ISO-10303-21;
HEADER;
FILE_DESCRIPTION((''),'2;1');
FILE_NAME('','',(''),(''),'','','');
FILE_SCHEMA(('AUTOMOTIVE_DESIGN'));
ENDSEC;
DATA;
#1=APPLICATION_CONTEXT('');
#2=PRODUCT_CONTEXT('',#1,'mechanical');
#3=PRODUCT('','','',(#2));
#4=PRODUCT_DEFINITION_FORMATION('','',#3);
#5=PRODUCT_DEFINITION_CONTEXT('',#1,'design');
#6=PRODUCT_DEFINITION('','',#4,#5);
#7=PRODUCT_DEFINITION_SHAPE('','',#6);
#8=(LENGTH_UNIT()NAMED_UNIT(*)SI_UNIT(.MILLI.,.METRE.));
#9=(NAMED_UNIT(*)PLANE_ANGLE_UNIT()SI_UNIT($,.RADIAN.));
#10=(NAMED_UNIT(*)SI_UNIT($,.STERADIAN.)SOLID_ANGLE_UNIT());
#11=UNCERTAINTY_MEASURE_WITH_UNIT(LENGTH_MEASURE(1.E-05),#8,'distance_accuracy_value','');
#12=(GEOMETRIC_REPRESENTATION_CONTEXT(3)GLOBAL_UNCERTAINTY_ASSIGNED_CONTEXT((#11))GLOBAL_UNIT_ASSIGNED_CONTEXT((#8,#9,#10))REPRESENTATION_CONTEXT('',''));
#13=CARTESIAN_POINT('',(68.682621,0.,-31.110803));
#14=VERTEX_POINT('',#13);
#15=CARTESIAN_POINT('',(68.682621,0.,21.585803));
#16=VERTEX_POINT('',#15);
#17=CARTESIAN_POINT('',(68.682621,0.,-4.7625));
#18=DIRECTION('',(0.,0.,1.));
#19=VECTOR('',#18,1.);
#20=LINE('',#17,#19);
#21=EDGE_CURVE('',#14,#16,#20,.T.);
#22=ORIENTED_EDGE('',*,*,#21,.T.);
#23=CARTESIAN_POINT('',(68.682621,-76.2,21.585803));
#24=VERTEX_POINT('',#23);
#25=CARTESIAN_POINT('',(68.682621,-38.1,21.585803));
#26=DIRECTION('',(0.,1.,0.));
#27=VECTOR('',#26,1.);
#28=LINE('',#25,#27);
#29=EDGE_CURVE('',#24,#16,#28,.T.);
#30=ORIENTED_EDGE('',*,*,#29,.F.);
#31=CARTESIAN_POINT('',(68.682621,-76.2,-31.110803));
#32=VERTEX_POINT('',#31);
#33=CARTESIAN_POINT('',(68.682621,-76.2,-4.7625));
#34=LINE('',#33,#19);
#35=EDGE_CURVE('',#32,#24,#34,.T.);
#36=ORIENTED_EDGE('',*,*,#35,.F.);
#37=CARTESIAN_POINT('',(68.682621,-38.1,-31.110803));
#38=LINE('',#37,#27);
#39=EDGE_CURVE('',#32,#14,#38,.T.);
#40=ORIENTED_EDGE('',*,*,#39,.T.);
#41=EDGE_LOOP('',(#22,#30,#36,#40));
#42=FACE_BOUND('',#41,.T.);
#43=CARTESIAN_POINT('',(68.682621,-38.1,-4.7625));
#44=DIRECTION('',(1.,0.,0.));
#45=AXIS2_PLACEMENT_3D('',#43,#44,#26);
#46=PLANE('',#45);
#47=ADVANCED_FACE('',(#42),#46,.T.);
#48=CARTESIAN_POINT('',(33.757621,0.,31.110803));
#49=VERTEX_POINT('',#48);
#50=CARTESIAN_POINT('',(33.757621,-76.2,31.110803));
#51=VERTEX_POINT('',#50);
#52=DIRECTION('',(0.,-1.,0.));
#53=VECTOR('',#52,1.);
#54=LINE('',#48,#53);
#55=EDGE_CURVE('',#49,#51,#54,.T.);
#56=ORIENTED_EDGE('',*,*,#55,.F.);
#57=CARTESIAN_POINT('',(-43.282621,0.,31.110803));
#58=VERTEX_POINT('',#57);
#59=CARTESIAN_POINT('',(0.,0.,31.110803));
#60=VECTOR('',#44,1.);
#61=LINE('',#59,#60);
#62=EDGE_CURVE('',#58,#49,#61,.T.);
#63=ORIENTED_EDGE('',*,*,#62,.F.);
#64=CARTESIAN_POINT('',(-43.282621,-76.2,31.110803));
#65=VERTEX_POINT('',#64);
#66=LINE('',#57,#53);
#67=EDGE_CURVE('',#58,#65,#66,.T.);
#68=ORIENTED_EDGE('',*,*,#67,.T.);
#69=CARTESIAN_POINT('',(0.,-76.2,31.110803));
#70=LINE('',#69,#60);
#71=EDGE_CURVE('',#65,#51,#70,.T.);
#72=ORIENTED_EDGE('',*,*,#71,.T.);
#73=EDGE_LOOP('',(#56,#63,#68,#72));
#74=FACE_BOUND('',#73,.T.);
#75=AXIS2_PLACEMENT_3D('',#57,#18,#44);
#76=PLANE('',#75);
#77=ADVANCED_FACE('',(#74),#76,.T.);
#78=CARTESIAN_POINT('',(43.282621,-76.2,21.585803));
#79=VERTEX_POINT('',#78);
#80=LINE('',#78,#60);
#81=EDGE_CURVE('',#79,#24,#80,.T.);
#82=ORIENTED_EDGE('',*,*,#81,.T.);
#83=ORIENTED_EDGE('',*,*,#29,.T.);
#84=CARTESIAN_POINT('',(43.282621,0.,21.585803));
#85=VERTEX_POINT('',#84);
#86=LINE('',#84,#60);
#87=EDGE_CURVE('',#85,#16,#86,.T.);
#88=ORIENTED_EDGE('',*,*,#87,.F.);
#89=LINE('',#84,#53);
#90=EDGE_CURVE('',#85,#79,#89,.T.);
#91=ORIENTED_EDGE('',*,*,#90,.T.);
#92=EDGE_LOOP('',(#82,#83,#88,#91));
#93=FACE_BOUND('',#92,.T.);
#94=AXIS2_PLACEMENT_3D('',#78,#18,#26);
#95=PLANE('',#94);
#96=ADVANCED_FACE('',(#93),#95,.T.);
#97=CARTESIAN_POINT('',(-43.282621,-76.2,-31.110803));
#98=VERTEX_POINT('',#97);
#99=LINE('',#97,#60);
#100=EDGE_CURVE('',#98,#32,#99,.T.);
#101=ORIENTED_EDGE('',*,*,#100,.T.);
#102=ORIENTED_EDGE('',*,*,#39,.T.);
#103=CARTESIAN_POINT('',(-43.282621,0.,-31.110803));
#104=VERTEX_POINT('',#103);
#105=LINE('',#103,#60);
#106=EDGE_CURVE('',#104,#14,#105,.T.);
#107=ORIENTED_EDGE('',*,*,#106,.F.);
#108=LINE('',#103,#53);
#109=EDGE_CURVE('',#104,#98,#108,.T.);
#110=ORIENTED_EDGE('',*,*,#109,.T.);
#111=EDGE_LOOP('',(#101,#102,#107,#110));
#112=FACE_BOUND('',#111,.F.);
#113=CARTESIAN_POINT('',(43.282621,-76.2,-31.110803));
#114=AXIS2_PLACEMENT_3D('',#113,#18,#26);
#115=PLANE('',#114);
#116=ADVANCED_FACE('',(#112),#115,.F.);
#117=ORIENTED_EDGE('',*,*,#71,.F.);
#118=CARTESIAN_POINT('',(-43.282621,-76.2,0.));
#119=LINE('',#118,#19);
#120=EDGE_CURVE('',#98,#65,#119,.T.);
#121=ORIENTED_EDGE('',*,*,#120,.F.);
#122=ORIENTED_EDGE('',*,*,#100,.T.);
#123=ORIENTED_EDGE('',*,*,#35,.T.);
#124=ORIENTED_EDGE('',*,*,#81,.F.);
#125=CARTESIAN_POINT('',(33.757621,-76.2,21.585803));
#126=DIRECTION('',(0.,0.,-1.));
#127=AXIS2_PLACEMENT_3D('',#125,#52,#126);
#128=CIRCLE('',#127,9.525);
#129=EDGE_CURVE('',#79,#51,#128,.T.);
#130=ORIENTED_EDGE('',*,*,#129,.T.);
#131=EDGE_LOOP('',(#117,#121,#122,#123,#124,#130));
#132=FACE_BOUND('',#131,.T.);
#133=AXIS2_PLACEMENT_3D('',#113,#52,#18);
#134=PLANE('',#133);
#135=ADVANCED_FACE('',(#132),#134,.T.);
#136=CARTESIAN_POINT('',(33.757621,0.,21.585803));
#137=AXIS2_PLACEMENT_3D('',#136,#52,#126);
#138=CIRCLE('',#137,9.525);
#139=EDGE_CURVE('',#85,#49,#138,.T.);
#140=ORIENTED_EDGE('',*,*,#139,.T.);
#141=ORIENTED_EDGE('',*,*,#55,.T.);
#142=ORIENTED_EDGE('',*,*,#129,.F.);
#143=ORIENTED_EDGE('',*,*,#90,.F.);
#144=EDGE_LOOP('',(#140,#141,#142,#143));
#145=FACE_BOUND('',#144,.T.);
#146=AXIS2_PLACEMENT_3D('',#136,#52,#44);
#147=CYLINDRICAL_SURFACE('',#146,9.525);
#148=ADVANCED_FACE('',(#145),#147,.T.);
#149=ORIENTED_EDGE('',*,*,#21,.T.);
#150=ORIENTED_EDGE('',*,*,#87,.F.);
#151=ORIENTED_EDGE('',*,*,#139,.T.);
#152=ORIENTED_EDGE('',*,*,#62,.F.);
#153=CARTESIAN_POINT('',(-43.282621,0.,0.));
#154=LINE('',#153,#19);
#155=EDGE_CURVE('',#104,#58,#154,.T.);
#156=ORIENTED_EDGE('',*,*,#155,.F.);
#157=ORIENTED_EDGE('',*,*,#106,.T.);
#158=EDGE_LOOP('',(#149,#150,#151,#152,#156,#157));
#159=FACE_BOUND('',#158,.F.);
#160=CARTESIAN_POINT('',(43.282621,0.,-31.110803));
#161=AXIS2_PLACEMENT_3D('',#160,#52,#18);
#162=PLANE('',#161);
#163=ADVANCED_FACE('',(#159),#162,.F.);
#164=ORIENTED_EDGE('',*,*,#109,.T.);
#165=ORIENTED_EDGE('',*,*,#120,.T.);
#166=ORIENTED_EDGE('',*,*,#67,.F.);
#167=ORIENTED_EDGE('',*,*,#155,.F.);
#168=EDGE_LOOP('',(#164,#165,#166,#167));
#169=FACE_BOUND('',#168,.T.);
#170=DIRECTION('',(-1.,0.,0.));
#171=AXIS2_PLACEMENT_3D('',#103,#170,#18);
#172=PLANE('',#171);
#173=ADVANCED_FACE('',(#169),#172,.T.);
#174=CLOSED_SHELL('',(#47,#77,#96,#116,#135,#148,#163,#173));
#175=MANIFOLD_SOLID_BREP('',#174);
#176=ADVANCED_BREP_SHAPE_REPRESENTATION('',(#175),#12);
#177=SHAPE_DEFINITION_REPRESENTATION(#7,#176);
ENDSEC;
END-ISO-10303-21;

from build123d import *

# Parameters (mm, degrees)
F0_W      = 86.565242
F0_H      = 62.221606
F1_DEPTH  = 76.2
F2_R      = 9.525
F1_FACE_W = 76.2
F1_FACE_H = 52.696606
F3_DEPTH  = 25.4


with BuildPart() as f1:
    # F0 (on Front) → F1 (new body)
    with BuildSketch(Plane.XZ):
        Rectangle(F0_W, F0_H)
    extrude(amount=F1_DEPTH)

    # F2
    f2_edges = [f1.edges().sort_by_distance(p)[0] for p in [
        (43.282621, -38.1, 31.110803),
    ]]
    fillet(f2_edges, radius=F2_R)

    # F1_face (on face) → F3 (join)
    with BuildSketch(Plane(origin=(43.282621, -38.1, -4.7625), x_dir=(0, 1, 0), z_dir=(1, 0, 0))):
        Rectangle(F1_FACE_W, F1_FACE_H)
    extrude(amount=F3_DEPTH)


solid = f1.part
